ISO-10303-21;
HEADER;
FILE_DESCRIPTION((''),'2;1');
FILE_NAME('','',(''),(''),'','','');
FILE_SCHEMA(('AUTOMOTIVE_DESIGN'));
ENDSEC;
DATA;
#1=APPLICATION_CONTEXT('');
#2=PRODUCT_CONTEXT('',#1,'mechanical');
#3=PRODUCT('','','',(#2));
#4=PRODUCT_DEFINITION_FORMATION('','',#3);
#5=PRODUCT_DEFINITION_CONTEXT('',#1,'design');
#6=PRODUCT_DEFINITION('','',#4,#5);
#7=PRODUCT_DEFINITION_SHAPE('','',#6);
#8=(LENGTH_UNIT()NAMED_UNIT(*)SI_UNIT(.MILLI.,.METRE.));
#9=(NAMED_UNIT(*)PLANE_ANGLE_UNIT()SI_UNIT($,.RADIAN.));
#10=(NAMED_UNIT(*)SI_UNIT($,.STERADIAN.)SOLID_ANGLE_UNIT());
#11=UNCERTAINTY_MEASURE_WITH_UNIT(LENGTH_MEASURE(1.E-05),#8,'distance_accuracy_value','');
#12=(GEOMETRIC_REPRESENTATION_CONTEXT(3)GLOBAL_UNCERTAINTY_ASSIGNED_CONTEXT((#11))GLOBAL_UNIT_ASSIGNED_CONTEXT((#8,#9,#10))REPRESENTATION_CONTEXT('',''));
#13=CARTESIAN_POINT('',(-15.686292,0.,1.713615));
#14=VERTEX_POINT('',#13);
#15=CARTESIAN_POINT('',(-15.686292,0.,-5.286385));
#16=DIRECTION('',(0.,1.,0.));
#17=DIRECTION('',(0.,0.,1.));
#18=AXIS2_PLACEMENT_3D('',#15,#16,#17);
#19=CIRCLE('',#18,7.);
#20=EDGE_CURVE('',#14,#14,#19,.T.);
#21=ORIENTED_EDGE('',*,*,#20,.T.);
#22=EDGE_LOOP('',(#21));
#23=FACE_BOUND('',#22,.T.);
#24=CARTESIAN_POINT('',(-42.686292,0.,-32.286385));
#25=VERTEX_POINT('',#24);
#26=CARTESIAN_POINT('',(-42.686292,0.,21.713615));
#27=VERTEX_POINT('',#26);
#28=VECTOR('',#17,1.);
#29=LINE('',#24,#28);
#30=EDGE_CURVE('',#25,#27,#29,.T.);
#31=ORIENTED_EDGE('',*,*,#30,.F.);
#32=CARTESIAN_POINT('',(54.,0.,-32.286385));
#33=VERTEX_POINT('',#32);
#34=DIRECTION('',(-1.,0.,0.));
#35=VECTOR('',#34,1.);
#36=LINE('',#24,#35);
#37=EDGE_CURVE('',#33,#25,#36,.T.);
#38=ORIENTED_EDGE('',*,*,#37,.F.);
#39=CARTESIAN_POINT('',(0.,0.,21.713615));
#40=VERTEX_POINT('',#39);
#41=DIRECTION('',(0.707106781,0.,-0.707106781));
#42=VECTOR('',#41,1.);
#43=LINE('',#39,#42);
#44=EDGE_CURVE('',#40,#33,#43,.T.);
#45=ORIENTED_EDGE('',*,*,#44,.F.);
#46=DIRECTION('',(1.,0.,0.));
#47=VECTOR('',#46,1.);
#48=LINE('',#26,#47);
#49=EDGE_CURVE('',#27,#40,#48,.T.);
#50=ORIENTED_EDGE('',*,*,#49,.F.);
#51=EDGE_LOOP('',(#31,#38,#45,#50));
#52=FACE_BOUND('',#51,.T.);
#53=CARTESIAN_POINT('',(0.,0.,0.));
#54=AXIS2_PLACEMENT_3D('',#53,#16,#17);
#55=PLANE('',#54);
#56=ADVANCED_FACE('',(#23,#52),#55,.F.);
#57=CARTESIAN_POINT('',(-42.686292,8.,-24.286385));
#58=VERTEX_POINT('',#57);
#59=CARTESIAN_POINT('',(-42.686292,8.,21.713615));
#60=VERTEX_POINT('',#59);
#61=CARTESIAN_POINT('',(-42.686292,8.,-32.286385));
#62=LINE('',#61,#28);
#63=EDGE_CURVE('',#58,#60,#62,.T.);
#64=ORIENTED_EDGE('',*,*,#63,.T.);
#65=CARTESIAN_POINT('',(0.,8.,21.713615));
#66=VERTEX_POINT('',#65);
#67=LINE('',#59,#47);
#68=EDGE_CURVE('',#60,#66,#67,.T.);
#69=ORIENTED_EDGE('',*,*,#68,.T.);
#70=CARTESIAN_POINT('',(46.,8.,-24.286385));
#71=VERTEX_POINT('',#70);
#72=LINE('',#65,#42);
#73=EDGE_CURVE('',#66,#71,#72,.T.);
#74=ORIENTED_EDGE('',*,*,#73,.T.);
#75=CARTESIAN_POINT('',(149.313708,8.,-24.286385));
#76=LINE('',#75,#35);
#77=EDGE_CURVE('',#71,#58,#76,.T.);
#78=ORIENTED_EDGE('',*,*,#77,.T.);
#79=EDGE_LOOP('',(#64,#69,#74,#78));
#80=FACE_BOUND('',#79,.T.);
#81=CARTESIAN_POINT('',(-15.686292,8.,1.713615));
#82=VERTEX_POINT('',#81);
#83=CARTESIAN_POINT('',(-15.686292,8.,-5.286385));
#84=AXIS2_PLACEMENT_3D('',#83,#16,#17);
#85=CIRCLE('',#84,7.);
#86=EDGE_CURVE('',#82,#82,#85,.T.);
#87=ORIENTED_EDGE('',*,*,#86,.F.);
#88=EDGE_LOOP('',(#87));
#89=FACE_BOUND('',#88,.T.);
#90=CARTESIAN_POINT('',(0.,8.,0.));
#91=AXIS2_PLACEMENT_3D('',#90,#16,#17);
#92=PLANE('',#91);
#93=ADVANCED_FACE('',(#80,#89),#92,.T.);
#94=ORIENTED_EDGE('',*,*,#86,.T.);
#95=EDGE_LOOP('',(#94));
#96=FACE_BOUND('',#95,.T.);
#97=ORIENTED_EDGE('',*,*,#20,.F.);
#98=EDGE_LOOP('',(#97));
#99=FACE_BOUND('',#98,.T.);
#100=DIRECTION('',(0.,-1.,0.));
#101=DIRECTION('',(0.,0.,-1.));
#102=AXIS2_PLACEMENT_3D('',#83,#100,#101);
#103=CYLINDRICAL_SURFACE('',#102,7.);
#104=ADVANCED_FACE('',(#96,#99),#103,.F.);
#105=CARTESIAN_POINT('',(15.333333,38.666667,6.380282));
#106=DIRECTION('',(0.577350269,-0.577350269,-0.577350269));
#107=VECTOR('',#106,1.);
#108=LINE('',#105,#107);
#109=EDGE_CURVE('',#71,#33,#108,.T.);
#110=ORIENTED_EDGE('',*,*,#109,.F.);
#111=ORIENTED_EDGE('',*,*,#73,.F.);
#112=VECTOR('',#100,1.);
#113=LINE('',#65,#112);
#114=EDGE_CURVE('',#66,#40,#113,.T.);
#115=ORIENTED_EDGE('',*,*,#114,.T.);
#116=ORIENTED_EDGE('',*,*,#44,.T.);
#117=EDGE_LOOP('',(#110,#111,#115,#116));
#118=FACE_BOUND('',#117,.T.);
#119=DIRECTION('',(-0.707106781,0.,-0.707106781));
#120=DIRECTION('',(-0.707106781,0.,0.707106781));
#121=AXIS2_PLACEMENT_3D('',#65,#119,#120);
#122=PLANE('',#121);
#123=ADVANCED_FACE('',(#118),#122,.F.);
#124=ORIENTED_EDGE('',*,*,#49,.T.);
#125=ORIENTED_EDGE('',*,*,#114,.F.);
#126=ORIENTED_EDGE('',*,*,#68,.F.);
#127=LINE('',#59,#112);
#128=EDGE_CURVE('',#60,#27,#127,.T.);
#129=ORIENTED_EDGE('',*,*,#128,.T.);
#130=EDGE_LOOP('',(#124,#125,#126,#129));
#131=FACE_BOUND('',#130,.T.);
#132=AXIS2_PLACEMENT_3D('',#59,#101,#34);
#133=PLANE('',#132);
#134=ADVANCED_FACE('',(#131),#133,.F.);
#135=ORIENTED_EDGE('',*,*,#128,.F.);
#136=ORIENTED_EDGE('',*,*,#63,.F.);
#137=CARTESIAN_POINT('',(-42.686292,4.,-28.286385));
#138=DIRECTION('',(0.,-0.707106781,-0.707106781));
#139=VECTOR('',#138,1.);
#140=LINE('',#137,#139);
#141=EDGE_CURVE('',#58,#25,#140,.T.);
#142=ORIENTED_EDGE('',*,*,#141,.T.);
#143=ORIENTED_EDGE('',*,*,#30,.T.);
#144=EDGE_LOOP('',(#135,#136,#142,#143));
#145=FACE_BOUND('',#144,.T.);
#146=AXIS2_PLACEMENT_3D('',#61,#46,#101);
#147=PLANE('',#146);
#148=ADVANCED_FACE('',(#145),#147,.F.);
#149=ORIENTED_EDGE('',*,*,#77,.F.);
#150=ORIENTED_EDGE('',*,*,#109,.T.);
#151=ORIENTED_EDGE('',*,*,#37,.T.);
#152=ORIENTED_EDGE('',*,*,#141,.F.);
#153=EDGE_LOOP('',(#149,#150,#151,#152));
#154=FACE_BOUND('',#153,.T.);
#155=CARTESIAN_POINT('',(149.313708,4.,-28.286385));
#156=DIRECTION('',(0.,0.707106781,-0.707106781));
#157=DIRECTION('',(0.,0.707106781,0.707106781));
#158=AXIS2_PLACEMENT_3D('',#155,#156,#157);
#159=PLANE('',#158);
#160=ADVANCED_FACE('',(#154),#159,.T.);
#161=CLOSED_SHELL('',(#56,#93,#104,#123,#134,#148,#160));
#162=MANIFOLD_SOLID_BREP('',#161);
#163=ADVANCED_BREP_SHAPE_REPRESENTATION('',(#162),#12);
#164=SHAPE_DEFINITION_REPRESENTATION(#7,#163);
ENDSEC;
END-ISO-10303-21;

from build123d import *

# Parameters (mm, degrees)
SKETCH1_R           = 7
BOSS_EXTRUDE1_DEPTH = 8
CUT_EXTRUDE4_START  = -42.686292
CUT_EXTRUDE4_DEPTH  = 192


with BuildPart() as part:
    # Sketch1 → Boss-Extrude1 (new body)
    with BuildSketch(Plane(origin=(0, 0, 0), x_dir=(1, 0, 0), z_dir=(0, 1, 0))):
        Polygon((0, -21.713615023), (54, 32.286384977), (11.313708499, 32.286384977), (-42.686291501, 32.286384977), (-42.686291501, -21.713615023), align=None)
        with Locations((-15.686291501, 5.286384977)):
            Circle(SKETCH1_R, mode=Mode.SUBTRACT)
    extrude(amount=BOSS_EXTRUDE1_DEPTH)

    # Sketch4 → Cut-Extrude4 (cut)
    with BuildSketch(Plane(origin=(0, 0, 0), x_dir=(0, 0, -1), z_dir=(1, 0, 0)).offset(CUT_EXTRUDE4_START)):
        Polygon((32.286384977, 0), (24.286384977, 8), (32.286384977, 8), align=None)
    extrude(amount=CUT_EXTRUDE4_DEPTH, mode=Mode.SUBTRACT)


solid = part.part
